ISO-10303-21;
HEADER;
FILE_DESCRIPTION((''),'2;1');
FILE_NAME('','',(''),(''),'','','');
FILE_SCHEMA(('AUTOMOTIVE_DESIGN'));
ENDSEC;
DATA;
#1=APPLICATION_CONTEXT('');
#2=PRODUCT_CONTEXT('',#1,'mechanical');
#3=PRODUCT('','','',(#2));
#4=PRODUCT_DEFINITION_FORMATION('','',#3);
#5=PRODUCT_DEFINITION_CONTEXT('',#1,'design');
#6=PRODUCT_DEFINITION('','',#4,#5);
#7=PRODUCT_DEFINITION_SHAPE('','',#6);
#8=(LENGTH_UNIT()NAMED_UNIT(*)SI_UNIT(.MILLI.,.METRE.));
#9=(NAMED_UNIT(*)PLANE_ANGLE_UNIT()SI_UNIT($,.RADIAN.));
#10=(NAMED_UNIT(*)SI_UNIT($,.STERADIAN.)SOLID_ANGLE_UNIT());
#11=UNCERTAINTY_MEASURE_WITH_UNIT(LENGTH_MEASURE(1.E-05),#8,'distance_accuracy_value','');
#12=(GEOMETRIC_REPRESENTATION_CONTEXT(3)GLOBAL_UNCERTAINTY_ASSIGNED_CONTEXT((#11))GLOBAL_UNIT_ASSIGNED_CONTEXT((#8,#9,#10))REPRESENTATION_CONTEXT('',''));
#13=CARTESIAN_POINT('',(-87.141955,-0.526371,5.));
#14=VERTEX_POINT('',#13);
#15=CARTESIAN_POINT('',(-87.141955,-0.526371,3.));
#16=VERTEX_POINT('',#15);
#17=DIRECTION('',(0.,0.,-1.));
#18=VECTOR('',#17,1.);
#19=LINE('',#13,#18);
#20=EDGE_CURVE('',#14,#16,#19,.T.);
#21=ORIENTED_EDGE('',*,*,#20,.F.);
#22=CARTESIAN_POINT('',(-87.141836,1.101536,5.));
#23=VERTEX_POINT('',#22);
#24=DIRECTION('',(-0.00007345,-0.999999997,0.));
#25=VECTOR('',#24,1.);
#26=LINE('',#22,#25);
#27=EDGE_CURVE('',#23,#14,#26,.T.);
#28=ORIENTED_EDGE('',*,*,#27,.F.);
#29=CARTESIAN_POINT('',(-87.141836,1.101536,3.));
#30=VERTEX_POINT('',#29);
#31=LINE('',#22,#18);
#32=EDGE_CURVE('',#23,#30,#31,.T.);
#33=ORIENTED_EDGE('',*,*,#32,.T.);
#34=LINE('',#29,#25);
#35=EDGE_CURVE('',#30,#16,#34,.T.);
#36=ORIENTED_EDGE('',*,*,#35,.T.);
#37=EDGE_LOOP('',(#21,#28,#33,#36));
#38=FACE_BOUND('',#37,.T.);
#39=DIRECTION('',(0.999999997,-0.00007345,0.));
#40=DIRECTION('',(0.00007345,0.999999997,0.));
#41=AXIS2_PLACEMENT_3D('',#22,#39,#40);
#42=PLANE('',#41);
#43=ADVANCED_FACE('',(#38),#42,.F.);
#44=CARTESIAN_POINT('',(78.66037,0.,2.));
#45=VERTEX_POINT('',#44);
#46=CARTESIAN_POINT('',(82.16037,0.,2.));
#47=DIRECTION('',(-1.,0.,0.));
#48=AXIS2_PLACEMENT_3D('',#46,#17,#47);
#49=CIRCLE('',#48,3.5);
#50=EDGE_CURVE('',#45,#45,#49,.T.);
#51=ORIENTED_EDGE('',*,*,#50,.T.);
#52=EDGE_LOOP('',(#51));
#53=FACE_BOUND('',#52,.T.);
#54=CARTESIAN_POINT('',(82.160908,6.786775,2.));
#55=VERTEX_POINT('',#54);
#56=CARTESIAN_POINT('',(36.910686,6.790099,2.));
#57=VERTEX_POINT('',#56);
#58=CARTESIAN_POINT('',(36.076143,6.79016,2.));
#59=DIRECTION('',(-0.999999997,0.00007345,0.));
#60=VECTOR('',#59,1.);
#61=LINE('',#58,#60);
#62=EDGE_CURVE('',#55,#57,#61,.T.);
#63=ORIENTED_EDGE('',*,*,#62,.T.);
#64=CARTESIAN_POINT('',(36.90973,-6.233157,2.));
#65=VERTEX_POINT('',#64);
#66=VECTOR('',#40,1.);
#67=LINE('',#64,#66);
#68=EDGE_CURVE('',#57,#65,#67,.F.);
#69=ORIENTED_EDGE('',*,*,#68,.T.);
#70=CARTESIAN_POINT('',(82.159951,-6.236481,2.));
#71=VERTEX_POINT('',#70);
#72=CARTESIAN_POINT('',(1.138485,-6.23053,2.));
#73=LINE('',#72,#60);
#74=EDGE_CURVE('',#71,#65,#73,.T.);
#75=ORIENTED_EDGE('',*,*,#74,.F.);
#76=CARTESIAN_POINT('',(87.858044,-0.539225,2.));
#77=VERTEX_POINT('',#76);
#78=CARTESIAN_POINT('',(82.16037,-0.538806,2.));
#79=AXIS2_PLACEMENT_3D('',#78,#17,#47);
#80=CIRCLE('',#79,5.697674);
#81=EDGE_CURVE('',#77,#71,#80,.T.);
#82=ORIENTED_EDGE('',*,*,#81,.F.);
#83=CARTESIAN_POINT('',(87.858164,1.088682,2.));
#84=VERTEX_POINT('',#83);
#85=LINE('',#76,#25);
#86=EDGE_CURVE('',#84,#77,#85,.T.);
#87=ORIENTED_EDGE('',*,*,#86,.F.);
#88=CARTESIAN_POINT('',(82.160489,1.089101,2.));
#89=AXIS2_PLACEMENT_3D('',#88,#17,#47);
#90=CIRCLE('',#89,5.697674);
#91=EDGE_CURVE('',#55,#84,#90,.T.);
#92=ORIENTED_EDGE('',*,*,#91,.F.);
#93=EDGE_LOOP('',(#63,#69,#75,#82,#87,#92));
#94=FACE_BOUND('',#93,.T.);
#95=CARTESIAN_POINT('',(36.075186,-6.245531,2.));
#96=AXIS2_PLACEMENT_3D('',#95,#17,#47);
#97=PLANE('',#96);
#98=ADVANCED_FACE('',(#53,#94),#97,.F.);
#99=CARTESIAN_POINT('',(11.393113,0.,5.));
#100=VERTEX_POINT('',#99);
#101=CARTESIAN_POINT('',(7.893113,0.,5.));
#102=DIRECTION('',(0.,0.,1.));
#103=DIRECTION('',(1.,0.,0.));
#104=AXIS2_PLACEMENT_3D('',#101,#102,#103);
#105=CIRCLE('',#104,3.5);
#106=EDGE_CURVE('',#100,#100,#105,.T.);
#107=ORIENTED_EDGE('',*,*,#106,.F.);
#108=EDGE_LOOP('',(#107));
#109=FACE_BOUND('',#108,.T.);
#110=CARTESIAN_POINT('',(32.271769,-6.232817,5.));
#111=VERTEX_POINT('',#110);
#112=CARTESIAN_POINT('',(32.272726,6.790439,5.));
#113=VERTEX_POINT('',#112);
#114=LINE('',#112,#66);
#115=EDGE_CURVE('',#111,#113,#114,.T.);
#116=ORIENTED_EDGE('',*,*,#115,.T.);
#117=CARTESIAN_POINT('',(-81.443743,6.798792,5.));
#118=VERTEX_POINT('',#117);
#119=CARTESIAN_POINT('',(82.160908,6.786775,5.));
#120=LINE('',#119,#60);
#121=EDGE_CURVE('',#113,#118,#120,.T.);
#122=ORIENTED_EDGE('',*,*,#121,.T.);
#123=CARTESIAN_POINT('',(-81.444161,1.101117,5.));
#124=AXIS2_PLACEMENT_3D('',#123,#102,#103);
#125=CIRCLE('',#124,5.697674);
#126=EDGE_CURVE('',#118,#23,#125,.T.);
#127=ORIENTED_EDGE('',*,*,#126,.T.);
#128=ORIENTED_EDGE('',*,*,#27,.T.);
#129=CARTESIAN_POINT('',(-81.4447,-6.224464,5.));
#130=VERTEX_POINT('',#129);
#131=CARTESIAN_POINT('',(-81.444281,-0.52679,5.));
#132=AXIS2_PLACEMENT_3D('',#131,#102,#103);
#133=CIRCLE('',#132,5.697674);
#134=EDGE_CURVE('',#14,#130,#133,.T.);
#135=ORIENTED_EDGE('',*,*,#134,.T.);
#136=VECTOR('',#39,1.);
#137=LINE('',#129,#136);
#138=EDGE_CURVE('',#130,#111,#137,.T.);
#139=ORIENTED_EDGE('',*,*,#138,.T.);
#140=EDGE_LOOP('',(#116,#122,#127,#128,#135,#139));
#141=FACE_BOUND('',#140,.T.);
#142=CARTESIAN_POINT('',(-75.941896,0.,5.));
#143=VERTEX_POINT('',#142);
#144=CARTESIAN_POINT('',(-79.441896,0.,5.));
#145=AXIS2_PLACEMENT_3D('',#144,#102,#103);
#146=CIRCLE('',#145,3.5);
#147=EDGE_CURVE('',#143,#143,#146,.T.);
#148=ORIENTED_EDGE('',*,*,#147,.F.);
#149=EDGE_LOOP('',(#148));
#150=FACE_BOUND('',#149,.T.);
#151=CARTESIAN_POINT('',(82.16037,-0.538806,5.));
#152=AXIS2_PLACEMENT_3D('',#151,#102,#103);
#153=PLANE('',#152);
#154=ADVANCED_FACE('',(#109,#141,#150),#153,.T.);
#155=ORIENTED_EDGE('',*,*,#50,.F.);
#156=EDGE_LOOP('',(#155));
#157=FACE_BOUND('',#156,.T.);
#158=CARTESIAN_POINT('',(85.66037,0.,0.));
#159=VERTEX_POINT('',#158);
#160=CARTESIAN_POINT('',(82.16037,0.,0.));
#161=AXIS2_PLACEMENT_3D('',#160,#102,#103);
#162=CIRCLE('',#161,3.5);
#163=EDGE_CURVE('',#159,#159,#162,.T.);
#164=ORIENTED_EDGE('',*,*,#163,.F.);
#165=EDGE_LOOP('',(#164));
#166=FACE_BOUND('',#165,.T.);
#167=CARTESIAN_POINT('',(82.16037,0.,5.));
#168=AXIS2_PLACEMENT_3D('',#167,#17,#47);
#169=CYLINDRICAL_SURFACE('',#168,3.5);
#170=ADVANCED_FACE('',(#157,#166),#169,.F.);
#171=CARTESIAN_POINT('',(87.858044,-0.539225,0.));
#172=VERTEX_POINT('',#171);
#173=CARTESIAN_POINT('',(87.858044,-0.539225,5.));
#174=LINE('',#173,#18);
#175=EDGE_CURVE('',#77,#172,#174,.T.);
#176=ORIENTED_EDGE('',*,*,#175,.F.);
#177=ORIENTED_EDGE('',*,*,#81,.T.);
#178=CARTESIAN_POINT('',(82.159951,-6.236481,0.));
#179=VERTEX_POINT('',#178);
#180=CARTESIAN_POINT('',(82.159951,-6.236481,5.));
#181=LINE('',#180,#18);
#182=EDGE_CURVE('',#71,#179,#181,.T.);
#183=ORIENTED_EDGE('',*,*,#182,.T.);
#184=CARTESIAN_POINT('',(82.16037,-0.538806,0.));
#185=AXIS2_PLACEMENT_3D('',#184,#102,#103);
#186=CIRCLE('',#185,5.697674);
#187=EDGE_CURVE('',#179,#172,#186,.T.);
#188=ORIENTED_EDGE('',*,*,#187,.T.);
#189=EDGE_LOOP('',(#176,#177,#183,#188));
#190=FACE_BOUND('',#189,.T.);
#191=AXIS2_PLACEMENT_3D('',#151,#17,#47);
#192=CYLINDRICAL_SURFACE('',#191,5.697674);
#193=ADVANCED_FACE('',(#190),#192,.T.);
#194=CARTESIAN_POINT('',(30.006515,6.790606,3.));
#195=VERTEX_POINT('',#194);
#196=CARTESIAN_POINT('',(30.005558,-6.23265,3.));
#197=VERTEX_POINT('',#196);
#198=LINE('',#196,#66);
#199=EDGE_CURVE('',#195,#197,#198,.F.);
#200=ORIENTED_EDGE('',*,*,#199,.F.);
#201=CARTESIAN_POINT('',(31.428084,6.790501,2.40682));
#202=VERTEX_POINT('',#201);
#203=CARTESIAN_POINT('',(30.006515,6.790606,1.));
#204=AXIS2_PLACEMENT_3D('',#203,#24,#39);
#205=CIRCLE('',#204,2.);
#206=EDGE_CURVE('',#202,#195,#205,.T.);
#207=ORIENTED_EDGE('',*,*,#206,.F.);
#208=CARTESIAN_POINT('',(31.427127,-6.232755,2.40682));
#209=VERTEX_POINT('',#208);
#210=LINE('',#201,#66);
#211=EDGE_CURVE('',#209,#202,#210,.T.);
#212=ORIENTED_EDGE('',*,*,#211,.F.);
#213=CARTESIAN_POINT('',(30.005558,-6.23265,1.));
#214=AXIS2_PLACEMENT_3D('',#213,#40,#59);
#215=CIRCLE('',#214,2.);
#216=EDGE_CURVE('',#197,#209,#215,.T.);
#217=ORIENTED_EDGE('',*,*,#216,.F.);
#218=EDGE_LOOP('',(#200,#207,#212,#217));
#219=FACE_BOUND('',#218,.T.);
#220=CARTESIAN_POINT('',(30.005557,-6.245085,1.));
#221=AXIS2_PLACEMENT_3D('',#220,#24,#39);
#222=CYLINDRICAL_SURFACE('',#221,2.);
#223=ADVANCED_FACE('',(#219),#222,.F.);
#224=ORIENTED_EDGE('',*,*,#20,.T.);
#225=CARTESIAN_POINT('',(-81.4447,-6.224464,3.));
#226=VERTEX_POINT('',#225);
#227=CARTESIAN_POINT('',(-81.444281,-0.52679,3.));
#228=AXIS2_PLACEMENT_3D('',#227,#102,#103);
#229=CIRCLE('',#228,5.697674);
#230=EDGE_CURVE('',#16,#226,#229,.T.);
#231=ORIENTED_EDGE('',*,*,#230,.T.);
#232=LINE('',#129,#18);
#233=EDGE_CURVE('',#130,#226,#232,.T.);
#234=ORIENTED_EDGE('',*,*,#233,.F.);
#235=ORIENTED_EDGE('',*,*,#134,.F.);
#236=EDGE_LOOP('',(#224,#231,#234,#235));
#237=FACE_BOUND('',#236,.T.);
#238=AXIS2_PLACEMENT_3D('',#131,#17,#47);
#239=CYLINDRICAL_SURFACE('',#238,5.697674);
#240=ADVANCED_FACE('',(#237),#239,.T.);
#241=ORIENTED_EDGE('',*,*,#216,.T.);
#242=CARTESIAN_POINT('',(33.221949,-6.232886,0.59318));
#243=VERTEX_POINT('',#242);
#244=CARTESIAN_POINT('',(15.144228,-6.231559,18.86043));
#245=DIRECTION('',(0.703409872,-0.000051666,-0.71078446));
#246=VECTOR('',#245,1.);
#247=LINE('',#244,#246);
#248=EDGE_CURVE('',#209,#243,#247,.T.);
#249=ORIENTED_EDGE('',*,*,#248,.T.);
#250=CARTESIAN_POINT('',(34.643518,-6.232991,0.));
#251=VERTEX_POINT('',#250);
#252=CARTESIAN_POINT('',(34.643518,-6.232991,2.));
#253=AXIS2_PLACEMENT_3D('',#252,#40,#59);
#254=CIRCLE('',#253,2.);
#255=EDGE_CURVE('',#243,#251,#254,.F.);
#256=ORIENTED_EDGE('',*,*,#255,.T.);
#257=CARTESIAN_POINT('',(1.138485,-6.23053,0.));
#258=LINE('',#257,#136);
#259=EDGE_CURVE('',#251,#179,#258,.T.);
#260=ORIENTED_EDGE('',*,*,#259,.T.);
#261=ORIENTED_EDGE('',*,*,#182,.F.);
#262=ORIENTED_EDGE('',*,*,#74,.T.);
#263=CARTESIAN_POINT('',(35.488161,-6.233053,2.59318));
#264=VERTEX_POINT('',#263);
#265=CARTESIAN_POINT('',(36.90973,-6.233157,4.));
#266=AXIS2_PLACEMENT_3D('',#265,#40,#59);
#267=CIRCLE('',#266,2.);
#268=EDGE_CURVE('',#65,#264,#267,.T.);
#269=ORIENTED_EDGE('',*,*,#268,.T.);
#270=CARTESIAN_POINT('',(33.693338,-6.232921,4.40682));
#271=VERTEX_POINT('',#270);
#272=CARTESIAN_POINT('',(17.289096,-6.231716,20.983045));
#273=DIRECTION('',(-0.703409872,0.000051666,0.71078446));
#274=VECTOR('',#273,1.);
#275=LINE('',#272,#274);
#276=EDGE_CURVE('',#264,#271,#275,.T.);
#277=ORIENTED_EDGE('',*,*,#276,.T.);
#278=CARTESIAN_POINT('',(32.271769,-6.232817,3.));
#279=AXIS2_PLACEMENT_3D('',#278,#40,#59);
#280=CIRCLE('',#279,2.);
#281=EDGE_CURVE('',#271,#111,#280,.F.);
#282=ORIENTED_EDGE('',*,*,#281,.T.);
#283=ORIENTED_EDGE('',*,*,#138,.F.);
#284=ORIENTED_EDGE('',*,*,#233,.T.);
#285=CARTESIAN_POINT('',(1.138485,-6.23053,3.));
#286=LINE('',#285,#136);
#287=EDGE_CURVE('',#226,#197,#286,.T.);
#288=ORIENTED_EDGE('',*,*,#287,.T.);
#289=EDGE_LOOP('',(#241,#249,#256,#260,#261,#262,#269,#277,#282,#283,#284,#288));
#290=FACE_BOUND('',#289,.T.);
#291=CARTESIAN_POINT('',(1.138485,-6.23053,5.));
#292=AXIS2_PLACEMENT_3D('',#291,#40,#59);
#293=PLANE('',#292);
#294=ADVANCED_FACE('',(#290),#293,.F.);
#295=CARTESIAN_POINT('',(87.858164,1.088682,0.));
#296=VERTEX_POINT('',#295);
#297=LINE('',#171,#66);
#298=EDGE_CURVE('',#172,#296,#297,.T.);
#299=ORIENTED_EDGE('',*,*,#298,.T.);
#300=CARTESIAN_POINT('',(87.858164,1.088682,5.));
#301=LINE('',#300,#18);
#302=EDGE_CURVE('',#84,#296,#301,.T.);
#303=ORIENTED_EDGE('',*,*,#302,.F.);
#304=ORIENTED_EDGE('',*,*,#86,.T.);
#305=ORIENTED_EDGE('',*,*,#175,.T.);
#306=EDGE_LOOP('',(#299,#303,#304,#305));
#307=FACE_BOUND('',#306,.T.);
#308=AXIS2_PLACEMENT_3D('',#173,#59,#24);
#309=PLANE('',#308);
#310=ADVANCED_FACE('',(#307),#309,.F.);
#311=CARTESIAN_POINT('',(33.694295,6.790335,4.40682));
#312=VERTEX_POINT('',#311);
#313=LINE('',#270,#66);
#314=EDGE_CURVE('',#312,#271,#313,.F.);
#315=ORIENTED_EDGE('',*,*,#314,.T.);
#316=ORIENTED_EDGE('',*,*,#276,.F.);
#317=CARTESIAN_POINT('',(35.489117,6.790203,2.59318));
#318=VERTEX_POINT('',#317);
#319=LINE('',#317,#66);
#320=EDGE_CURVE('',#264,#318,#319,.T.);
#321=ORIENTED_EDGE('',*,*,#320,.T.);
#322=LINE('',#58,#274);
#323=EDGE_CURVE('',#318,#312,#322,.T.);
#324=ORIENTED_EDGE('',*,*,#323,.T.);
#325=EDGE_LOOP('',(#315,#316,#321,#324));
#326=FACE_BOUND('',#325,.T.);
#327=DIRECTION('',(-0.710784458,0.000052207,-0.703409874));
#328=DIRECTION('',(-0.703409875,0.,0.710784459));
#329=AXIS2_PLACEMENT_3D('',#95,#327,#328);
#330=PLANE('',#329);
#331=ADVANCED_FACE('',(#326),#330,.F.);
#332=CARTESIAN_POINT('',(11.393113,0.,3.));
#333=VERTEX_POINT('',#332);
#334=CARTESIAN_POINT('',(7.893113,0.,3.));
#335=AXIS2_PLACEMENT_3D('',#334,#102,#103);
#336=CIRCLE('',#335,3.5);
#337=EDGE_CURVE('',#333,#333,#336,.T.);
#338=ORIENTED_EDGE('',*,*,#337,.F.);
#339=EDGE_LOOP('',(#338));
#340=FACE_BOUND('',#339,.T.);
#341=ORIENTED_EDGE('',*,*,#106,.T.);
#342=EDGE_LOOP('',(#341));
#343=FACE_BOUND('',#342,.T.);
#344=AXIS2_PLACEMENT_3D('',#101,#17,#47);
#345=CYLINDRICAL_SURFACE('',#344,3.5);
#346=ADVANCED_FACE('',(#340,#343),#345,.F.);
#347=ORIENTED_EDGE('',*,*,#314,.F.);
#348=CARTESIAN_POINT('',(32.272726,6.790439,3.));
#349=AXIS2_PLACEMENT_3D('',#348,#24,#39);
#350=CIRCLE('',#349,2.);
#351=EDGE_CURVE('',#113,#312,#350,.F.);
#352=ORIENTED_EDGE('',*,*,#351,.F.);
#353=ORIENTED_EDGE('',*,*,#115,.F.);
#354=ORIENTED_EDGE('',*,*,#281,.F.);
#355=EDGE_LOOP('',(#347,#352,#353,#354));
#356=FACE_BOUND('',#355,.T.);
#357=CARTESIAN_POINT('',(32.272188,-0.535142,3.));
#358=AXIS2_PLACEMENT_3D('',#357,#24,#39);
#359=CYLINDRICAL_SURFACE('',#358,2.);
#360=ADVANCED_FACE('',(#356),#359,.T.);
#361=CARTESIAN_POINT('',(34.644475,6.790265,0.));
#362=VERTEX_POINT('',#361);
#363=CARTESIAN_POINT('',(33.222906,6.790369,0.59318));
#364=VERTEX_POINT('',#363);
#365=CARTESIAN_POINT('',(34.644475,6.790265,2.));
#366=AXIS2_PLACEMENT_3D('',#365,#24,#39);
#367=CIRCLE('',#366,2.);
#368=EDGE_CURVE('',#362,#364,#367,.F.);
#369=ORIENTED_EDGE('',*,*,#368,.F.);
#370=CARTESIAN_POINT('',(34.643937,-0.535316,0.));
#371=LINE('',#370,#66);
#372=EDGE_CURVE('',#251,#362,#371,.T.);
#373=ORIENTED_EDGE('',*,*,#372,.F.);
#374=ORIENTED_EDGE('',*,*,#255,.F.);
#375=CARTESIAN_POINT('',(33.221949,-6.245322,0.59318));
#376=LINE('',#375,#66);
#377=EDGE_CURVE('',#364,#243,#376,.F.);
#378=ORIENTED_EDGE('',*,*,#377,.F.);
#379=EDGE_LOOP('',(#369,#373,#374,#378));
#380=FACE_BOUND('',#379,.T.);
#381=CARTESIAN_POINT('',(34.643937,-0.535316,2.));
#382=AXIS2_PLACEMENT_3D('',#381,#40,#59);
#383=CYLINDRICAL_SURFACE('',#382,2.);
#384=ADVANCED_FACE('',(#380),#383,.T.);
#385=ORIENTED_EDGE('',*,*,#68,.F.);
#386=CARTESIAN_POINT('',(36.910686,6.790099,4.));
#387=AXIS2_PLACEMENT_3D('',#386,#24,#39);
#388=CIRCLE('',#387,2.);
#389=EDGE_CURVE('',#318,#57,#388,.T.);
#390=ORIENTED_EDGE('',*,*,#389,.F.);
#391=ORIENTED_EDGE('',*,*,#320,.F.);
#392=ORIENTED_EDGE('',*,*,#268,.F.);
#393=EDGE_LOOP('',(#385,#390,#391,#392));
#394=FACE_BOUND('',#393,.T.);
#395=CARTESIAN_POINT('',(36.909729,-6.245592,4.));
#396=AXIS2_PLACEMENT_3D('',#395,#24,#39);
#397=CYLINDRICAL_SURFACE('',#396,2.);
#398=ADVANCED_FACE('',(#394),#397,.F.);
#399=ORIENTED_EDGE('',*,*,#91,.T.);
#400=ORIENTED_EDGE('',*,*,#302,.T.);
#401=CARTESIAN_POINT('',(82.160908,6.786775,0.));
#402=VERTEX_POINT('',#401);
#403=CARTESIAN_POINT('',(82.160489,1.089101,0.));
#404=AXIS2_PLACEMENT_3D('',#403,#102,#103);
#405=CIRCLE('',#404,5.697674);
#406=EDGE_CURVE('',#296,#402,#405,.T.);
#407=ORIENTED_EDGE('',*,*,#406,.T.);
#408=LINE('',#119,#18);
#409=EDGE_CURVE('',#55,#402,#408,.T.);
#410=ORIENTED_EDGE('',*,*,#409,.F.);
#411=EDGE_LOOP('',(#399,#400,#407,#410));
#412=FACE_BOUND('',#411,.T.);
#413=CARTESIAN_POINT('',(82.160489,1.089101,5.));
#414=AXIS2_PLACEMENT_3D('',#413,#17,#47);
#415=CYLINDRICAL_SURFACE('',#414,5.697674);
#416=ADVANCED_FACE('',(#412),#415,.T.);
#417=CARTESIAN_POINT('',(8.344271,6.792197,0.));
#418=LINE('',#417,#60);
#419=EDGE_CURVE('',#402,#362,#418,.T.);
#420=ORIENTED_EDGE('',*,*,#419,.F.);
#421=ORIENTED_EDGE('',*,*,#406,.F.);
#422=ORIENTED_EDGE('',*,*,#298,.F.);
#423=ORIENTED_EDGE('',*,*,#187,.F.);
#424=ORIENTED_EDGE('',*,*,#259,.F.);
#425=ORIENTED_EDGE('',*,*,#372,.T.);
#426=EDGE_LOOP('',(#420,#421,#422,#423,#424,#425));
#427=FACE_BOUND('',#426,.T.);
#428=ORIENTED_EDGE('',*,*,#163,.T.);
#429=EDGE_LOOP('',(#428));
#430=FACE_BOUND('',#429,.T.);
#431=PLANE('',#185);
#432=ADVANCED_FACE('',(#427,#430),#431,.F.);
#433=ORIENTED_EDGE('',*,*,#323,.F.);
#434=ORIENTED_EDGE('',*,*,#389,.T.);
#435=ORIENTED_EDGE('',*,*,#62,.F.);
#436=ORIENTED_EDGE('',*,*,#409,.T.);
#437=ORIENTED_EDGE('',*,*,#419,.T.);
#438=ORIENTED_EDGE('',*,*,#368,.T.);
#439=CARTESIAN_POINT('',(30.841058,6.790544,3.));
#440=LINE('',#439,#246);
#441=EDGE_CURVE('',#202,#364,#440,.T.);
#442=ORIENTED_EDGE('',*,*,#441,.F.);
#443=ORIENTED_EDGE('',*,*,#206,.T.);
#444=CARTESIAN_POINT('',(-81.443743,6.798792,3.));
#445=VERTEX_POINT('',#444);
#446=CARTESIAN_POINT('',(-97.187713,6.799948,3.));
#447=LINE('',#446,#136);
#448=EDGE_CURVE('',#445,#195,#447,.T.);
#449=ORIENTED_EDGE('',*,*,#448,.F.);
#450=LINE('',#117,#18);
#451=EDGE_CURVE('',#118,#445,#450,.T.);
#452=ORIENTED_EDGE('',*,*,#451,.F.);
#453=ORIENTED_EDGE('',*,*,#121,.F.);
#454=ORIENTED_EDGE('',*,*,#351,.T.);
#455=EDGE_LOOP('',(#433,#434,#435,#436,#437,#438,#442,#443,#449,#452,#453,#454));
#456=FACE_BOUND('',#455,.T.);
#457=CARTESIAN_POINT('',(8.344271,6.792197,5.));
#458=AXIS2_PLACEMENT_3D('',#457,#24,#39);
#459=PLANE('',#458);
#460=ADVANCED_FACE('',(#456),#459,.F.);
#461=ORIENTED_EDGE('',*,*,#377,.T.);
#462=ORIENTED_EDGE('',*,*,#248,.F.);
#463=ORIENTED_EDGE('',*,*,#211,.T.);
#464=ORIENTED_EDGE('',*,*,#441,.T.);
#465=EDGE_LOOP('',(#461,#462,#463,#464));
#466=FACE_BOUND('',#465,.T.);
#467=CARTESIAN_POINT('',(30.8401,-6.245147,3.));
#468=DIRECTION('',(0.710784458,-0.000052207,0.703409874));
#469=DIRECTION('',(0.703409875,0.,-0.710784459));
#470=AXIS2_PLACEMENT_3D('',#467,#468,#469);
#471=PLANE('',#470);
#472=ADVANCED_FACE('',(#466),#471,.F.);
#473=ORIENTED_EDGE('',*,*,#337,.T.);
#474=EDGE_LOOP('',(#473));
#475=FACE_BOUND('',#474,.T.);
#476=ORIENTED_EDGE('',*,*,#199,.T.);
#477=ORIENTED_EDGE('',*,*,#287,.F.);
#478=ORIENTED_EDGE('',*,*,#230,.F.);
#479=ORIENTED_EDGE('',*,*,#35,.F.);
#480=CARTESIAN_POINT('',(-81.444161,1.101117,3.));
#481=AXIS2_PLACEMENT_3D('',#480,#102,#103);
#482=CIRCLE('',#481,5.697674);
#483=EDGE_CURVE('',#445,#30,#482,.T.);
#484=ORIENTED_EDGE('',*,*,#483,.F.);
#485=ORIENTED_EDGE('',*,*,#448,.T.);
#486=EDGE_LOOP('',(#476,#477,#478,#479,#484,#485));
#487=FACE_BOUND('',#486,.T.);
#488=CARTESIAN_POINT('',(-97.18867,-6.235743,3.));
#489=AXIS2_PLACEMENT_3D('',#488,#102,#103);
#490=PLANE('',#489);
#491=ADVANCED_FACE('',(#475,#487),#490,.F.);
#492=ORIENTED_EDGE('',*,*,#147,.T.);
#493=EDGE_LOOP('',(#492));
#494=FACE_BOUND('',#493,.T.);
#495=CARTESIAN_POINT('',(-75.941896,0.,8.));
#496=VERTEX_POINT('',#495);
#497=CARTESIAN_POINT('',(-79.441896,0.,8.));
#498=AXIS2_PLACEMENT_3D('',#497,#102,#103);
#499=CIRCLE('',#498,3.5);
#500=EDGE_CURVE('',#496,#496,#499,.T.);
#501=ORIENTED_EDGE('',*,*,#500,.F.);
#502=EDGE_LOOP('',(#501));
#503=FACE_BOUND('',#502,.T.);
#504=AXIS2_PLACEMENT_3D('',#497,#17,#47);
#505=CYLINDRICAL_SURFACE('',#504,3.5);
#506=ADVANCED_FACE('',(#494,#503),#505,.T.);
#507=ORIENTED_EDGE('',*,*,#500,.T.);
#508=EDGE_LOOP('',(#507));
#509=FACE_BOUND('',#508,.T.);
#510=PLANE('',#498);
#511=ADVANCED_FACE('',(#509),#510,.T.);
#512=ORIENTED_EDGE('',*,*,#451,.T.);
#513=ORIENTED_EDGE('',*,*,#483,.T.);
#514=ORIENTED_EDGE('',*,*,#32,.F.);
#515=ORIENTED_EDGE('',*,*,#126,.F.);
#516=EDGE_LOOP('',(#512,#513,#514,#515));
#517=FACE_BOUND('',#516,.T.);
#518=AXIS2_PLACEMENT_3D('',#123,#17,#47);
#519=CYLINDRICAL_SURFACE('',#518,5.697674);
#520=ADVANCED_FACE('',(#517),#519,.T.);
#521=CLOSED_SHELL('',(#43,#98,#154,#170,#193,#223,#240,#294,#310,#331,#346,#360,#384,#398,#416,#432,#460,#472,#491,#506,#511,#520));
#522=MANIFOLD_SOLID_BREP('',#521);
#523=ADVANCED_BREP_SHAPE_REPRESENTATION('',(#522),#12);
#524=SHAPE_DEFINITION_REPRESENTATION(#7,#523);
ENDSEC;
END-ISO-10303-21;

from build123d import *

# Parameters (mm, degrees)
SKETCH1_R           = 3.5
BOSS_EXTRUDE6_DEPTH = 5
CUT_EXTRUDE5_DEPTH  = 14.035691085
FILLET3_R           = 2
SKETCH3_R           = 3.5
BOSS_EXTRUDE9_DEPTH = 3


with BuildPart() as part:
    # Sketch1 → Boss-Extrude6 (new body)
    with BuildSketch(Plane.XY):
        with BuildLine():
            Line((1.138484568, -6.230529798), (82.159951164, -6.236480839))
            ThreePointArc((82.159951164, -6.236480839), (86.188937946, -4.567966564), (87.858044062, -0.539224931))
            Line((87.858044062, -0.539224931), (87.858163632, 1.088682041))
            ThreePointArc((87.858163632, 1.088682041), (86.189649357, 5.117668823), (82.160907724, 6.786774939))
            Line((82.160907724, 6.786774939), (8.344270935, 6.792196785))
            Line((8.344270935, 6.792196785), (-81.443742997, 6.79879173))
            ThreePointArc((-81.443742997, 6.79879173), (-85.472729779, 5.130277455), (-87.141835896, 1.101535822))
            Line((-87.141835896, 1.101535822), (-87.141955466, -0.52637115))
            ThreePointArc((-87.141955466, -0.52637115), (-85.473441191, -4.555357932), (-81.444699558, -6.224464049))
            Line((-81.444699558, -6.224464049), (1.138484568, -6.230529798))
        make_face()
        with Locations((82.160369659, 0)):
            Circle(SKETCH1_R, mode=Mode.SUBTRACT)
        with Locations((7.893112659, 0)):
            Circle(SKETCH1_R, mode=Mode.SUBTRACT)
    extrude(amount=BOSS_EXTRUDE6_DEPTH)

    # Sketch4 → Cut-Extrude5 (cut, through all)
    with BuildSketch(Plane(origin=(0.000498933, 6.792809636, 0), x_dir=(0.999999997, -7.345e-05, 0), z_dir=(7.345e-05, 0.999999997, 0))):
        Polygon((-97.188212117, 0), (-97.188212117, -3), (30.840558875, -3), (33.809433044, 0), align=None)
        Polygon((36.07564421, -2), (33.106770041, -5), (91.140577756, -5), (91.140577756, -2), align=None)
    extrude(amount=-CUT_EXTRUDE5_DEPTH, mode=Mode.SUBTRACT)

    # Fillet3
    fillet3_edges = [part.edges().sort_by_distance(p)[0] for p in [
        (33.809453605, 0.278698438, 0),
        (30.840579445, 0.278916502, 3),
        (33.106790605, 0.278750049, 5),
        (36.075664766, 0.278531984, 2),
    ]]
    fillet(fillet3_edges, radius=FILLET3_R)

    # Sketch3 → Boss-Extrude9 (add)
    with BuildSketch(Plane.XY.offset(5)):
        with Locations((-79.441895681, 0)):
            Circle(SKETCH3_R)
    extrude(amount=BOSS_EXTRUDE9_DEPTH)


solid = part.part
